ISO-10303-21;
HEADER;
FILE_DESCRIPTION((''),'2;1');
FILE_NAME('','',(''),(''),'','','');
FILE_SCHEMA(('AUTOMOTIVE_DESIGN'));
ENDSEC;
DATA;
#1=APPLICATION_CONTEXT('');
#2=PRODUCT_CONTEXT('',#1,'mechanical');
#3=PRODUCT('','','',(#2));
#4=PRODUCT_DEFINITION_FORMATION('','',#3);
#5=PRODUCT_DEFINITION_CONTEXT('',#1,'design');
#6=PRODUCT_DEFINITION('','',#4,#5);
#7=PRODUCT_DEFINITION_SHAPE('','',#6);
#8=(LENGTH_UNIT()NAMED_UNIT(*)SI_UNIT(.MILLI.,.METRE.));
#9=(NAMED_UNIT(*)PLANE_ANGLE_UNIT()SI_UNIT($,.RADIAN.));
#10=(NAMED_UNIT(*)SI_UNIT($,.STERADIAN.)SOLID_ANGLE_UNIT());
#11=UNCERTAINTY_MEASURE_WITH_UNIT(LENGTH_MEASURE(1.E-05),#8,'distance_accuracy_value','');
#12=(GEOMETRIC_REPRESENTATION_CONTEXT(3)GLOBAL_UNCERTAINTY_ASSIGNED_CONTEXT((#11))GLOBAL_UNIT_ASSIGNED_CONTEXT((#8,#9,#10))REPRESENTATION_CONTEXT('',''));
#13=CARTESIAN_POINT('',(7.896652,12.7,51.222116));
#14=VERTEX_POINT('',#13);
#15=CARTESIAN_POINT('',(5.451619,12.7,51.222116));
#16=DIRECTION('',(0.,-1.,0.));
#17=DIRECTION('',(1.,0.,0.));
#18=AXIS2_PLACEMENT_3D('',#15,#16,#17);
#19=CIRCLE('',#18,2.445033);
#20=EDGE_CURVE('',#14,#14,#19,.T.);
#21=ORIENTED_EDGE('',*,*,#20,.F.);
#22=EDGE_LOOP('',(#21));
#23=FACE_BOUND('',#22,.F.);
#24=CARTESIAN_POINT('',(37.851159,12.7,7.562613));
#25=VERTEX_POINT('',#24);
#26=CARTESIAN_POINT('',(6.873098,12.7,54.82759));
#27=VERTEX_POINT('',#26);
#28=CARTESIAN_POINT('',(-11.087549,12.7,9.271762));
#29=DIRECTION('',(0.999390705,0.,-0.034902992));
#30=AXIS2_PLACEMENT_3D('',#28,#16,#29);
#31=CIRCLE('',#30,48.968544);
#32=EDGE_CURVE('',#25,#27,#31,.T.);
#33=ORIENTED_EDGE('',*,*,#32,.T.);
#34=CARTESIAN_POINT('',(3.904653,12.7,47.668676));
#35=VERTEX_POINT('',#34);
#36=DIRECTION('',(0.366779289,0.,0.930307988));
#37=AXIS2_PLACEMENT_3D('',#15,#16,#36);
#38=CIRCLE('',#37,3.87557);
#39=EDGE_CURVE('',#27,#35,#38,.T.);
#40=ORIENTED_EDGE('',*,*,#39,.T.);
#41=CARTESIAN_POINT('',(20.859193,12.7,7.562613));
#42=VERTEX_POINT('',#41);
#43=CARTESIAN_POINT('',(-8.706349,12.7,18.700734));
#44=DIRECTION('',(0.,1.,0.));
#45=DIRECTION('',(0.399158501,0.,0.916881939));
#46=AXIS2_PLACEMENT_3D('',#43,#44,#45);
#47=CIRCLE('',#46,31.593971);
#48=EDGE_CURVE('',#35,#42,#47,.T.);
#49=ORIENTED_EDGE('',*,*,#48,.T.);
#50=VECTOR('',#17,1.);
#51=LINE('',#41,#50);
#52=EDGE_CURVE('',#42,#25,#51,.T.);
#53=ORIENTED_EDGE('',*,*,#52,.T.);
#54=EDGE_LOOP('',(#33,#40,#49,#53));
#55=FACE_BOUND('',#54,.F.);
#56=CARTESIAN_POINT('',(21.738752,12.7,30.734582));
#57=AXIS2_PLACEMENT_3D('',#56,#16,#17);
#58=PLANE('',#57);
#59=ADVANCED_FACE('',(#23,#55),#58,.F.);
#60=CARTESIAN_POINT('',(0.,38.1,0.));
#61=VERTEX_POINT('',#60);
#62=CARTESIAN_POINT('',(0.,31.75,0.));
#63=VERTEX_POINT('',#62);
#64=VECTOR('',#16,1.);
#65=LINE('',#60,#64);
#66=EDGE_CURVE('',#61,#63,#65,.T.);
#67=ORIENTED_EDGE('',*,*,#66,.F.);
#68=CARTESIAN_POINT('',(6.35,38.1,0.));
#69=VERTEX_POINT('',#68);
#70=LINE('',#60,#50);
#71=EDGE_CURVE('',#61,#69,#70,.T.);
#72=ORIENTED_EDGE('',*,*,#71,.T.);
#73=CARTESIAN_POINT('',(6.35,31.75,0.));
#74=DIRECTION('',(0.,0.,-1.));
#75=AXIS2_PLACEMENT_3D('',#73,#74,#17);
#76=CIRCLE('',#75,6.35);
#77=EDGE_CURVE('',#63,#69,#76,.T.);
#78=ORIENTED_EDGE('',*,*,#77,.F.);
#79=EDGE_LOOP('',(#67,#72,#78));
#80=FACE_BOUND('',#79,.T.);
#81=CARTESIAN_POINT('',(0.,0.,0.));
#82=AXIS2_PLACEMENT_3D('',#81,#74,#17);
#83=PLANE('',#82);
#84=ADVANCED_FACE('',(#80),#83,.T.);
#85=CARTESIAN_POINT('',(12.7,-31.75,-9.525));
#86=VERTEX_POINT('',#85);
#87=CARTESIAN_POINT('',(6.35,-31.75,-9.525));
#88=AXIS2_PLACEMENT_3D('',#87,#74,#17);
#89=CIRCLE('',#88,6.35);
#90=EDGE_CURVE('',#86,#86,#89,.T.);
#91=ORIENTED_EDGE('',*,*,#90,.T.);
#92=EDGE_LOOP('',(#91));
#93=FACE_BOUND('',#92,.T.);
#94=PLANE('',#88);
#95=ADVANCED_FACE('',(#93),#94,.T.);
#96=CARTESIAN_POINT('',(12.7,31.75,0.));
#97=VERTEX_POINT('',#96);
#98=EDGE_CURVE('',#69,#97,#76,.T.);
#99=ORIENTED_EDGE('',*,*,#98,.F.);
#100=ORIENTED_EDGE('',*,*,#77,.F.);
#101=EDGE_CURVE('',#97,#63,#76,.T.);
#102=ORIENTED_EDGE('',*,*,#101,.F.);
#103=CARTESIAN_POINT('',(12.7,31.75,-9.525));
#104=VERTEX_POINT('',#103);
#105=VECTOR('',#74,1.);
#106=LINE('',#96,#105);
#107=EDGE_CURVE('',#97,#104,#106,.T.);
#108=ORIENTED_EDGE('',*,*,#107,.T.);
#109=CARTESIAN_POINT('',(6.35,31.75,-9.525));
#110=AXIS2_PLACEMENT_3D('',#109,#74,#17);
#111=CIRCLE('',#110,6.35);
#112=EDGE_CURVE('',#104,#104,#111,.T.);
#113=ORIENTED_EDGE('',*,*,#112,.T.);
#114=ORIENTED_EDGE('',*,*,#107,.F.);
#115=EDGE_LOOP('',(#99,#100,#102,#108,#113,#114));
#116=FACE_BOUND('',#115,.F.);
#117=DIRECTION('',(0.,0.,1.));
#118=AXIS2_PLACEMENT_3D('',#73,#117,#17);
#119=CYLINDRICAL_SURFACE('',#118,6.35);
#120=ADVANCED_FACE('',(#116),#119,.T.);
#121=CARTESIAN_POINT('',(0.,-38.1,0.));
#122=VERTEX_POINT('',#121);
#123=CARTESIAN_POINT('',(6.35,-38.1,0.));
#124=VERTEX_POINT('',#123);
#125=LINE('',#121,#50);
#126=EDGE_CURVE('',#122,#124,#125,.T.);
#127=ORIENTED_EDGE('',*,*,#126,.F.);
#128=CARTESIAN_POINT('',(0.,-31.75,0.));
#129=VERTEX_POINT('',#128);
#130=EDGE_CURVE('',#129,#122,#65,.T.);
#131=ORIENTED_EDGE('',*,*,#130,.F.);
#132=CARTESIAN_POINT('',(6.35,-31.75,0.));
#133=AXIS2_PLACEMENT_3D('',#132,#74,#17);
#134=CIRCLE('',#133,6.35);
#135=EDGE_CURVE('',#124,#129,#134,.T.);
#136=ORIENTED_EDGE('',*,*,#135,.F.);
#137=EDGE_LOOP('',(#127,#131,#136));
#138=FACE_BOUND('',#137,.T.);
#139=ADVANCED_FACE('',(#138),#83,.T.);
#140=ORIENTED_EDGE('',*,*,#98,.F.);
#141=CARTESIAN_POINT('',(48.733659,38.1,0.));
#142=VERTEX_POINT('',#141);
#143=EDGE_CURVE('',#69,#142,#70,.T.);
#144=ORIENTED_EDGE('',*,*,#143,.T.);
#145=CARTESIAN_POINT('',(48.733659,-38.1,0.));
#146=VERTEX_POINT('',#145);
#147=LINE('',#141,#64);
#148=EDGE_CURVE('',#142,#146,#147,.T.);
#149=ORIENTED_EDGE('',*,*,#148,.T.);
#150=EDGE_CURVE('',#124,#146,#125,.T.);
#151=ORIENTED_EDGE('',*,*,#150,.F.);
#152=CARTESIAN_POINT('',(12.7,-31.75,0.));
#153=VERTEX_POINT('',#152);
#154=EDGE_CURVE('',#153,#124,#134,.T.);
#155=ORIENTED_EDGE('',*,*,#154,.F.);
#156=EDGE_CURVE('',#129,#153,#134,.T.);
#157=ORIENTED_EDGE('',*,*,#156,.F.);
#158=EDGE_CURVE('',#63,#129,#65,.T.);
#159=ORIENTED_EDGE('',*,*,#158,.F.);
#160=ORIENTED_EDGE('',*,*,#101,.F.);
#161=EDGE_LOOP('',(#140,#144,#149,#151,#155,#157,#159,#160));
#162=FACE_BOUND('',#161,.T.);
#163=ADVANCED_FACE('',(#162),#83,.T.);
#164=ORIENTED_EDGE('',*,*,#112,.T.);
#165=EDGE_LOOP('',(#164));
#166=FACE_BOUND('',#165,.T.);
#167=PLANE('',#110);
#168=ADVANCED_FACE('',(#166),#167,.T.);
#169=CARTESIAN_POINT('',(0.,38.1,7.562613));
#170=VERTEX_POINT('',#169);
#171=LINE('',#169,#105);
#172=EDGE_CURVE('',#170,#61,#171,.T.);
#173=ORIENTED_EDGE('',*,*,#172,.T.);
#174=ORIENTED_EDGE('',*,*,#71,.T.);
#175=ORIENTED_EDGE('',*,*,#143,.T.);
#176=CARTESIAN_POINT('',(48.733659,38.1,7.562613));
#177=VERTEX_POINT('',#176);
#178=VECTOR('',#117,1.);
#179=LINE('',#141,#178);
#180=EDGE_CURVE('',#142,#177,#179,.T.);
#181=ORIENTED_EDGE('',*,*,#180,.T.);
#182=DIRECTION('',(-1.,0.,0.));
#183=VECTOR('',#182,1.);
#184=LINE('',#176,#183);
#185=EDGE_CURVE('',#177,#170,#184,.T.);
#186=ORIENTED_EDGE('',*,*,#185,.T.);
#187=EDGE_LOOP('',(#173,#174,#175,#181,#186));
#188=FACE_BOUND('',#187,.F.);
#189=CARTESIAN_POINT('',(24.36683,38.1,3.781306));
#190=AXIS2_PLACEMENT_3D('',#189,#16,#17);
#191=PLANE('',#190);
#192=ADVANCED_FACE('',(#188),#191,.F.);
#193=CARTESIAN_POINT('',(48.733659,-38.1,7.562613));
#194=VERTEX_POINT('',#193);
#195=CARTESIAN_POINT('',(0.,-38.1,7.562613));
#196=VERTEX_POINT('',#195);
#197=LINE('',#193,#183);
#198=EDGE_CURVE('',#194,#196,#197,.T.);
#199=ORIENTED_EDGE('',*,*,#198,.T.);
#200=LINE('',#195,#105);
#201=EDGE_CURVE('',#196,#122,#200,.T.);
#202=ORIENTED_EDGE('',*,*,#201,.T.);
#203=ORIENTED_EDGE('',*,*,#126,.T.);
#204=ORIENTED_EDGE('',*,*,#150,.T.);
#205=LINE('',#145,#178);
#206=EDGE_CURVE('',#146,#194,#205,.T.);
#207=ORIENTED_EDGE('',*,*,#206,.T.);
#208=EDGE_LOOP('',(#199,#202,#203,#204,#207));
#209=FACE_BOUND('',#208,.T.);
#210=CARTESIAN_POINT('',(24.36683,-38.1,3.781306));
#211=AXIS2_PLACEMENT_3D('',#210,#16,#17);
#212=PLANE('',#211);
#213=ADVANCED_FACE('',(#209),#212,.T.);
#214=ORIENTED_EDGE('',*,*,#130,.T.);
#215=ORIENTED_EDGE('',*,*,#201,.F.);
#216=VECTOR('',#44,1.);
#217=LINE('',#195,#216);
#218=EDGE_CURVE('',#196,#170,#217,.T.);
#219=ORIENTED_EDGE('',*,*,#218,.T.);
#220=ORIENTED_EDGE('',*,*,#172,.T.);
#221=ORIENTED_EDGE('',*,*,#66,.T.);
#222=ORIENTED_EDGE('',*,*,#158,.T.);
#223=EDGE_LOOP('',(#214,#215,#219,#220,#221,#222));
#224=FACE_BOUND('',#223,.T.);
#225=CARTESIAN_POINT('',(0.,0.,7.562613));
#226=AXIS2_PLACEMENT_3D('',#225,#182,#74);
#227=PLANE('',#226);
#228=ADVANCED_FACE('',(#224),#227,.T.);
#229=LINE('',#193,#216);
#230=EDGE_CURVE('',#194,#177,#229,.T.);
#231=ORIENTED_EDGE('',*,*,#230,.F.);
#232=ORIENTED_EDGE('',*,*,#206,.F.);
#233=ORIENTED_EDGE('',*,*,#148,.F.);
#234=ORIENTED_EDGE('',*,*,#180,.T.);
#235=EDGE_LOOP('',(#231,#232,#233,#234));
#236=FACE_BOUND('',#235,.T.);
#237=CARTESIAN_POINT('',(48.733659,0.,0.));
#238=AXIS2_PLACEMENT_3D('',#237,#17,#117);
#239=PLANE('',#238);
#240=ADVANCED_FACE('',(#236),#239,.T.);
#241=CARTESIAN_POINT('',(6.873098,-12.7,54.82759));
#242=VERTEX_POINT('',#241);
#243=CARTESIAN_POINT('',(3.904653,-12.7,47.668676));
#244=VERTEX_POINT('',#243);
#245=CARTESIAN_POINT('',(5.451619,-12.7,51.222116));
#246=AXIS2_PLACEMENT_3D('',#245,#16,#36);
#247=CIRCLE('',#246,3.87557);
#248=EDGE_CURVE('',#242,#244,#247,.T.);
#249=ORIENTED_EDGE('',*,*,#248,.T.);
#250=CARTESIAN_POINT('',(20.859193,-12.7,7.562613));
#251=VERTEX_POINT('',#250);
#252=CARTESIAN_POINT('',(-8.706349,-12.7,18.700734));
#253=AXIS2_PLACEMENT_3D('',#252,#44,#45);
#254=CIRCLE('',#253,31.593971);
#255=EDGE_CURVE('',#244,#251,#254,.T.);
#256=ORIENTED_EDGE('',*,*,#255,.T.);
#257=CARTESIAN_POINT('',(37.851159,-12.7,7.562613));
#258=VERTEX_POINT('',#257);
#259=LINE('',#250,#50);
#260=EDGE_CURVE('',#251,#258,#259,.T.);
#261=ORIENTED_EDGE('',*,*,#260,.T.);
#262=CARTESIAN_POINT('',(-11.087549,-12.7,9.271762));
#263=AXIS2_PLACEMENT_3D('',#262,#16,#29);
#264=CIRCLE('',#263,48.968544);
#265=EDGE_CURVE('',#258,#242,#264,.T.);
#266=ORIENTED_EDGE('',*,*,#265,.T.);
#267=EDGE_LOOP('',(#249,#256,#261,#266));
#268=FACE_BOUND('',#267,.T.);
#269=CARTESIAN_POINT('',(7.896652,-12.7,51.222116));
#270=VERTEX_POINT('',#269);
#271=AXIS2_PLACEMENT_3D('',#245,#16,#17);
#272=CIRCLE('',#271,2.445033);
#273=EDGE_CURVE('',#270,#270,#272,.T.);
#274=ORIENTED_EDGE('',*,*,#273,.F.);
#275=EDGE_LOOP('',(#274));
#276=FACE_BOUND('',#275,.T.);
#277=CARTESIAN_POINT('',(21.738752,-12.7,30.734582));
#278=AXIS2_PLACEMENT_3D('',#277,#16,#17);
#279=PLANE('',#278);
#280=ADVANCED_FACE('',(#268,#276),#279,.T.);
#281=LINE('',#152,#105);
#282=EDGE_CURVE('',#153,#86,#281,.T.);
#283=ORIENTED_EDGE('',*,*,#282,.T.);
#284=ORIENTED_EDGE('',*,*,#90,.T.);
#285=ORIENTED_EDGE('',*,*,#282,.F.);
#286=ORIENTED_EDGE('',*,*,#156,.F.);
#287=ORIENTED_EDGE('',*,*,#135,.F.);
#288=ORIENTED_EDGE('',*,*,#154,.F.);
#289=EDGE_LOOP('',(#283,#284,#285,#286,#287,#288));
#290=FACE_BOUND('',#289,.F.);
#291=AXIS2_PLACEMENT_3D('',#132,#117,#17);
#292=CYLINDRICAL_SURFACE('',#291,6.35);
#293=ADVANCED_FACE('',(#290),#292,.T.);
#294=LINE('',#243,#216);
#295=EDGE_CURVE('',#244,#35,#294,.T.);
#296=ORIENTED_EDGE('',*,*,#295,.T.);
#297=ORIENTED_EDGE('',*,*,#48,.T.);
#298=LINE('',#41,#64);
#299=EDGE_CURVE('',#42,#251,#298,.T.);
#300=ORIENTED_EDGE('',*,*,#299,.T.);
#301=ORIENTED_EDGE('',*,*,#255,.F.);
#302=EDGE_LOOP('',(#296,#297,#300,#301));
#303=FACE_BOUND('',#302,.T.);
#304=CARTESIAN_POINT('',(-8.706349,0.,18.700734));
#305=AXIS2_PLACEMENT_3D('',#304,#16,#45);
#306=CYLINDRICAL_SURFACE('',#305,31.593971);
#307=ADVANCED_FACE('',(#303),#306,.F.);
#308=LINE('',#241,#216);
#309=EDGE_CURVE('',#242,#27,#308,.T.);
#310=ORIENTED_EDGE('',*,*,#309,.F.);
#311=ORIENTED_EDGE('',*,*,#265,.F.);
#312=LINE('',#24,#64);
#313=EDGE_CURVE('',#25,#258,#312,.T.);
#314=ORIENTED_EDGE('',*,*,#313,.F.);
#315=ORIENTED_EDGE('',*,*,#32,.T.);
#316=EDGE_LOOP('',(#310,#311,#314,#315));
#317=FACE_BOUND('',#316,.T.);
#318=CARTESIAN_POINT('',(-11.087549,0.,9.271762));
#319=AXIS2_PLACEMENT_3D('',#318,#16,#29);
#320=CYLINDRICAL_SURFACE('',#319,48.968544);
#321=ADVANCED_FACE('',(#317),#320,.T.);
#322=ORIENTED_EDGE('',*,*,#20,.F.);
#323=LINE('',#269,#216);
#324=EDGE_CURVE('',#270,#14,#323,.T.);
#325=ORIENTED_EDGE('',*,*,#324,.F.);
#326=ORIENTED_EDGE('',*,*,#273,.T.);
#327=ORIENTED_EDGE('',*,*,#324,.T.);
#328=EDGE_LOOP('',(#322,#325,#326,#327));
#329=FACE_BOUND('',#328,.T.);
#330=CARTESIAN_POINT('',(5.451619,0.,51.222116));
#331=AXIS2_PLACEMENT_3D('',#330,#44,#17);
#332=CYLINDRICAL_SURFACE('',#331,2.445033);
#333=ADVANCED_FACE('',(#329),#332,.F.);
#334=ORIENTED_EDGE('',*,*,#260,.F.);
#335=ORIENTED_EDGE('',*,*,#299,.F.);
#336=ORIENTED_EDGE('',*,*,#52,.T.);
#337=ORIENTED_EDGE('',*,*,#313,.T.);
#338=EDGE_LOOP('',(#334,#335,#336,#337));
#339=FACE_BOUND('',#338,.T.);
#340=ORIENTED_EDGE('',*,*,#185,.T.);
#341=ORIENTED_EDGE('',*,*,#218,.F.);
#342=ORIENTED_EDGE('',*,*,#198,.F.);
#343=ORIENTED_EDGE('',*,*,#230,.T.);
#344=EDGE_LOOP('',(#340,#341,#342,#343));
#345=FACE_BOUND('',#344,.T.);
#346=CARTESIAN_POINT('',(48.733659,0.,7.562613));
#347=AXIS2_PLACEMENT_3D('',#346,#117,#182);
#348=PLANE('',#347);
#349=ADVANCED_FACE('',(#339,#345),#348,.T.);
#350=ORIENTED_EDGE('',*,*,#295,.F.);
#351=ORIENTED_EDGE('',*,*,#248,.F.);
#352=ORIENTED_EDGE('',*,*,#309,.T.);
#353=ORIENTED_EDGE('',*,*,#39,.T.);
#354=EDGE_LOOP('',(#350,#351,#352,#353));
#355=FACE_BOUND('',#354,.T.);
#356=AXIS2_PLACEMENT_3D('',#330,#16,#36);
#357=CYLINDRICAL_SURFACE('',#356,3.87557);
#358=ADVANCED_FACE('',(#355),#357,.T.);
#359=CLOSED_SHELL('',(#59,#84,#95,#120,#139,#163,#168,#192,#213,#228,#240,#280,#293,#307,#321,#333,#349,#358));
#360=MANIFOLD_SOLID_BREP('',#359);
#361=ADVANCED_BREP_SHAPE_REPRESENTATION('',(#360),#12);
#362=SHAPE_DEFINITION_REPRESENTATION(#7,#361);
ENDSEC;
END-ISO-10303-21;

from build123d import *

# Parameters (mm, degrees)
F1_DEPTH = 38.1
F0_R     = 2.445033
F2_DEPTH = 12.7
F3_R     = 6.35
F4_DEPTH = 9.525


with BuildPart() as f1:
    # F0 (on Front) → F1 (new body, symmetric)
    with BuildSketch(Plane.XZ):
        Polygon((0, 7.562613), (0, 0), (48.733659, 0), (48.733659, 7.562613), (37.851159, 7.562613), (20.859193, 7.562613), align=None)
    extrude(amount=F1_DEPTH, both=True)

    # F0 (on Front) → F2 (join, symmetric)
    with BuildSketch(Plane.XZ):
        with BuildLine():
            ThreePointArc((3.904653, 47.668676), (20.394154, 31.002756), (20.859193, 7.562613))
            Line((20.859193, 7.562613), (37.851159, 7.562613))
            ThreePointArc((37.851159, 7.562613), (29.868225, 36.114692), (6.873098, 54.82759))
            ThreePointArc((6.873098, 54.82759), (1.871612, 52.706566), (3.904653, 47.668676))
        make_face()
        with Locations((5.451619, 51.222116)):
            Circle(F0_R, mode=Mode.SUBTRACT)
    extrude(amount=F2_DEPTH, both=True)

    # F3 (on face) → F4 (join)
    with BuildSketch(Plane(origin=(0, 0, 0), x_dir=(1, 0, 0), z_dir=(0, 0, -1))):
        with Locations((6.35, -31.75)):
            Circle(F3_R)
        with Locations((6.35, 31.75)):
            Circle(F3_R)
    extrude(amount=F4_DEPTH)


solid = f1.part
